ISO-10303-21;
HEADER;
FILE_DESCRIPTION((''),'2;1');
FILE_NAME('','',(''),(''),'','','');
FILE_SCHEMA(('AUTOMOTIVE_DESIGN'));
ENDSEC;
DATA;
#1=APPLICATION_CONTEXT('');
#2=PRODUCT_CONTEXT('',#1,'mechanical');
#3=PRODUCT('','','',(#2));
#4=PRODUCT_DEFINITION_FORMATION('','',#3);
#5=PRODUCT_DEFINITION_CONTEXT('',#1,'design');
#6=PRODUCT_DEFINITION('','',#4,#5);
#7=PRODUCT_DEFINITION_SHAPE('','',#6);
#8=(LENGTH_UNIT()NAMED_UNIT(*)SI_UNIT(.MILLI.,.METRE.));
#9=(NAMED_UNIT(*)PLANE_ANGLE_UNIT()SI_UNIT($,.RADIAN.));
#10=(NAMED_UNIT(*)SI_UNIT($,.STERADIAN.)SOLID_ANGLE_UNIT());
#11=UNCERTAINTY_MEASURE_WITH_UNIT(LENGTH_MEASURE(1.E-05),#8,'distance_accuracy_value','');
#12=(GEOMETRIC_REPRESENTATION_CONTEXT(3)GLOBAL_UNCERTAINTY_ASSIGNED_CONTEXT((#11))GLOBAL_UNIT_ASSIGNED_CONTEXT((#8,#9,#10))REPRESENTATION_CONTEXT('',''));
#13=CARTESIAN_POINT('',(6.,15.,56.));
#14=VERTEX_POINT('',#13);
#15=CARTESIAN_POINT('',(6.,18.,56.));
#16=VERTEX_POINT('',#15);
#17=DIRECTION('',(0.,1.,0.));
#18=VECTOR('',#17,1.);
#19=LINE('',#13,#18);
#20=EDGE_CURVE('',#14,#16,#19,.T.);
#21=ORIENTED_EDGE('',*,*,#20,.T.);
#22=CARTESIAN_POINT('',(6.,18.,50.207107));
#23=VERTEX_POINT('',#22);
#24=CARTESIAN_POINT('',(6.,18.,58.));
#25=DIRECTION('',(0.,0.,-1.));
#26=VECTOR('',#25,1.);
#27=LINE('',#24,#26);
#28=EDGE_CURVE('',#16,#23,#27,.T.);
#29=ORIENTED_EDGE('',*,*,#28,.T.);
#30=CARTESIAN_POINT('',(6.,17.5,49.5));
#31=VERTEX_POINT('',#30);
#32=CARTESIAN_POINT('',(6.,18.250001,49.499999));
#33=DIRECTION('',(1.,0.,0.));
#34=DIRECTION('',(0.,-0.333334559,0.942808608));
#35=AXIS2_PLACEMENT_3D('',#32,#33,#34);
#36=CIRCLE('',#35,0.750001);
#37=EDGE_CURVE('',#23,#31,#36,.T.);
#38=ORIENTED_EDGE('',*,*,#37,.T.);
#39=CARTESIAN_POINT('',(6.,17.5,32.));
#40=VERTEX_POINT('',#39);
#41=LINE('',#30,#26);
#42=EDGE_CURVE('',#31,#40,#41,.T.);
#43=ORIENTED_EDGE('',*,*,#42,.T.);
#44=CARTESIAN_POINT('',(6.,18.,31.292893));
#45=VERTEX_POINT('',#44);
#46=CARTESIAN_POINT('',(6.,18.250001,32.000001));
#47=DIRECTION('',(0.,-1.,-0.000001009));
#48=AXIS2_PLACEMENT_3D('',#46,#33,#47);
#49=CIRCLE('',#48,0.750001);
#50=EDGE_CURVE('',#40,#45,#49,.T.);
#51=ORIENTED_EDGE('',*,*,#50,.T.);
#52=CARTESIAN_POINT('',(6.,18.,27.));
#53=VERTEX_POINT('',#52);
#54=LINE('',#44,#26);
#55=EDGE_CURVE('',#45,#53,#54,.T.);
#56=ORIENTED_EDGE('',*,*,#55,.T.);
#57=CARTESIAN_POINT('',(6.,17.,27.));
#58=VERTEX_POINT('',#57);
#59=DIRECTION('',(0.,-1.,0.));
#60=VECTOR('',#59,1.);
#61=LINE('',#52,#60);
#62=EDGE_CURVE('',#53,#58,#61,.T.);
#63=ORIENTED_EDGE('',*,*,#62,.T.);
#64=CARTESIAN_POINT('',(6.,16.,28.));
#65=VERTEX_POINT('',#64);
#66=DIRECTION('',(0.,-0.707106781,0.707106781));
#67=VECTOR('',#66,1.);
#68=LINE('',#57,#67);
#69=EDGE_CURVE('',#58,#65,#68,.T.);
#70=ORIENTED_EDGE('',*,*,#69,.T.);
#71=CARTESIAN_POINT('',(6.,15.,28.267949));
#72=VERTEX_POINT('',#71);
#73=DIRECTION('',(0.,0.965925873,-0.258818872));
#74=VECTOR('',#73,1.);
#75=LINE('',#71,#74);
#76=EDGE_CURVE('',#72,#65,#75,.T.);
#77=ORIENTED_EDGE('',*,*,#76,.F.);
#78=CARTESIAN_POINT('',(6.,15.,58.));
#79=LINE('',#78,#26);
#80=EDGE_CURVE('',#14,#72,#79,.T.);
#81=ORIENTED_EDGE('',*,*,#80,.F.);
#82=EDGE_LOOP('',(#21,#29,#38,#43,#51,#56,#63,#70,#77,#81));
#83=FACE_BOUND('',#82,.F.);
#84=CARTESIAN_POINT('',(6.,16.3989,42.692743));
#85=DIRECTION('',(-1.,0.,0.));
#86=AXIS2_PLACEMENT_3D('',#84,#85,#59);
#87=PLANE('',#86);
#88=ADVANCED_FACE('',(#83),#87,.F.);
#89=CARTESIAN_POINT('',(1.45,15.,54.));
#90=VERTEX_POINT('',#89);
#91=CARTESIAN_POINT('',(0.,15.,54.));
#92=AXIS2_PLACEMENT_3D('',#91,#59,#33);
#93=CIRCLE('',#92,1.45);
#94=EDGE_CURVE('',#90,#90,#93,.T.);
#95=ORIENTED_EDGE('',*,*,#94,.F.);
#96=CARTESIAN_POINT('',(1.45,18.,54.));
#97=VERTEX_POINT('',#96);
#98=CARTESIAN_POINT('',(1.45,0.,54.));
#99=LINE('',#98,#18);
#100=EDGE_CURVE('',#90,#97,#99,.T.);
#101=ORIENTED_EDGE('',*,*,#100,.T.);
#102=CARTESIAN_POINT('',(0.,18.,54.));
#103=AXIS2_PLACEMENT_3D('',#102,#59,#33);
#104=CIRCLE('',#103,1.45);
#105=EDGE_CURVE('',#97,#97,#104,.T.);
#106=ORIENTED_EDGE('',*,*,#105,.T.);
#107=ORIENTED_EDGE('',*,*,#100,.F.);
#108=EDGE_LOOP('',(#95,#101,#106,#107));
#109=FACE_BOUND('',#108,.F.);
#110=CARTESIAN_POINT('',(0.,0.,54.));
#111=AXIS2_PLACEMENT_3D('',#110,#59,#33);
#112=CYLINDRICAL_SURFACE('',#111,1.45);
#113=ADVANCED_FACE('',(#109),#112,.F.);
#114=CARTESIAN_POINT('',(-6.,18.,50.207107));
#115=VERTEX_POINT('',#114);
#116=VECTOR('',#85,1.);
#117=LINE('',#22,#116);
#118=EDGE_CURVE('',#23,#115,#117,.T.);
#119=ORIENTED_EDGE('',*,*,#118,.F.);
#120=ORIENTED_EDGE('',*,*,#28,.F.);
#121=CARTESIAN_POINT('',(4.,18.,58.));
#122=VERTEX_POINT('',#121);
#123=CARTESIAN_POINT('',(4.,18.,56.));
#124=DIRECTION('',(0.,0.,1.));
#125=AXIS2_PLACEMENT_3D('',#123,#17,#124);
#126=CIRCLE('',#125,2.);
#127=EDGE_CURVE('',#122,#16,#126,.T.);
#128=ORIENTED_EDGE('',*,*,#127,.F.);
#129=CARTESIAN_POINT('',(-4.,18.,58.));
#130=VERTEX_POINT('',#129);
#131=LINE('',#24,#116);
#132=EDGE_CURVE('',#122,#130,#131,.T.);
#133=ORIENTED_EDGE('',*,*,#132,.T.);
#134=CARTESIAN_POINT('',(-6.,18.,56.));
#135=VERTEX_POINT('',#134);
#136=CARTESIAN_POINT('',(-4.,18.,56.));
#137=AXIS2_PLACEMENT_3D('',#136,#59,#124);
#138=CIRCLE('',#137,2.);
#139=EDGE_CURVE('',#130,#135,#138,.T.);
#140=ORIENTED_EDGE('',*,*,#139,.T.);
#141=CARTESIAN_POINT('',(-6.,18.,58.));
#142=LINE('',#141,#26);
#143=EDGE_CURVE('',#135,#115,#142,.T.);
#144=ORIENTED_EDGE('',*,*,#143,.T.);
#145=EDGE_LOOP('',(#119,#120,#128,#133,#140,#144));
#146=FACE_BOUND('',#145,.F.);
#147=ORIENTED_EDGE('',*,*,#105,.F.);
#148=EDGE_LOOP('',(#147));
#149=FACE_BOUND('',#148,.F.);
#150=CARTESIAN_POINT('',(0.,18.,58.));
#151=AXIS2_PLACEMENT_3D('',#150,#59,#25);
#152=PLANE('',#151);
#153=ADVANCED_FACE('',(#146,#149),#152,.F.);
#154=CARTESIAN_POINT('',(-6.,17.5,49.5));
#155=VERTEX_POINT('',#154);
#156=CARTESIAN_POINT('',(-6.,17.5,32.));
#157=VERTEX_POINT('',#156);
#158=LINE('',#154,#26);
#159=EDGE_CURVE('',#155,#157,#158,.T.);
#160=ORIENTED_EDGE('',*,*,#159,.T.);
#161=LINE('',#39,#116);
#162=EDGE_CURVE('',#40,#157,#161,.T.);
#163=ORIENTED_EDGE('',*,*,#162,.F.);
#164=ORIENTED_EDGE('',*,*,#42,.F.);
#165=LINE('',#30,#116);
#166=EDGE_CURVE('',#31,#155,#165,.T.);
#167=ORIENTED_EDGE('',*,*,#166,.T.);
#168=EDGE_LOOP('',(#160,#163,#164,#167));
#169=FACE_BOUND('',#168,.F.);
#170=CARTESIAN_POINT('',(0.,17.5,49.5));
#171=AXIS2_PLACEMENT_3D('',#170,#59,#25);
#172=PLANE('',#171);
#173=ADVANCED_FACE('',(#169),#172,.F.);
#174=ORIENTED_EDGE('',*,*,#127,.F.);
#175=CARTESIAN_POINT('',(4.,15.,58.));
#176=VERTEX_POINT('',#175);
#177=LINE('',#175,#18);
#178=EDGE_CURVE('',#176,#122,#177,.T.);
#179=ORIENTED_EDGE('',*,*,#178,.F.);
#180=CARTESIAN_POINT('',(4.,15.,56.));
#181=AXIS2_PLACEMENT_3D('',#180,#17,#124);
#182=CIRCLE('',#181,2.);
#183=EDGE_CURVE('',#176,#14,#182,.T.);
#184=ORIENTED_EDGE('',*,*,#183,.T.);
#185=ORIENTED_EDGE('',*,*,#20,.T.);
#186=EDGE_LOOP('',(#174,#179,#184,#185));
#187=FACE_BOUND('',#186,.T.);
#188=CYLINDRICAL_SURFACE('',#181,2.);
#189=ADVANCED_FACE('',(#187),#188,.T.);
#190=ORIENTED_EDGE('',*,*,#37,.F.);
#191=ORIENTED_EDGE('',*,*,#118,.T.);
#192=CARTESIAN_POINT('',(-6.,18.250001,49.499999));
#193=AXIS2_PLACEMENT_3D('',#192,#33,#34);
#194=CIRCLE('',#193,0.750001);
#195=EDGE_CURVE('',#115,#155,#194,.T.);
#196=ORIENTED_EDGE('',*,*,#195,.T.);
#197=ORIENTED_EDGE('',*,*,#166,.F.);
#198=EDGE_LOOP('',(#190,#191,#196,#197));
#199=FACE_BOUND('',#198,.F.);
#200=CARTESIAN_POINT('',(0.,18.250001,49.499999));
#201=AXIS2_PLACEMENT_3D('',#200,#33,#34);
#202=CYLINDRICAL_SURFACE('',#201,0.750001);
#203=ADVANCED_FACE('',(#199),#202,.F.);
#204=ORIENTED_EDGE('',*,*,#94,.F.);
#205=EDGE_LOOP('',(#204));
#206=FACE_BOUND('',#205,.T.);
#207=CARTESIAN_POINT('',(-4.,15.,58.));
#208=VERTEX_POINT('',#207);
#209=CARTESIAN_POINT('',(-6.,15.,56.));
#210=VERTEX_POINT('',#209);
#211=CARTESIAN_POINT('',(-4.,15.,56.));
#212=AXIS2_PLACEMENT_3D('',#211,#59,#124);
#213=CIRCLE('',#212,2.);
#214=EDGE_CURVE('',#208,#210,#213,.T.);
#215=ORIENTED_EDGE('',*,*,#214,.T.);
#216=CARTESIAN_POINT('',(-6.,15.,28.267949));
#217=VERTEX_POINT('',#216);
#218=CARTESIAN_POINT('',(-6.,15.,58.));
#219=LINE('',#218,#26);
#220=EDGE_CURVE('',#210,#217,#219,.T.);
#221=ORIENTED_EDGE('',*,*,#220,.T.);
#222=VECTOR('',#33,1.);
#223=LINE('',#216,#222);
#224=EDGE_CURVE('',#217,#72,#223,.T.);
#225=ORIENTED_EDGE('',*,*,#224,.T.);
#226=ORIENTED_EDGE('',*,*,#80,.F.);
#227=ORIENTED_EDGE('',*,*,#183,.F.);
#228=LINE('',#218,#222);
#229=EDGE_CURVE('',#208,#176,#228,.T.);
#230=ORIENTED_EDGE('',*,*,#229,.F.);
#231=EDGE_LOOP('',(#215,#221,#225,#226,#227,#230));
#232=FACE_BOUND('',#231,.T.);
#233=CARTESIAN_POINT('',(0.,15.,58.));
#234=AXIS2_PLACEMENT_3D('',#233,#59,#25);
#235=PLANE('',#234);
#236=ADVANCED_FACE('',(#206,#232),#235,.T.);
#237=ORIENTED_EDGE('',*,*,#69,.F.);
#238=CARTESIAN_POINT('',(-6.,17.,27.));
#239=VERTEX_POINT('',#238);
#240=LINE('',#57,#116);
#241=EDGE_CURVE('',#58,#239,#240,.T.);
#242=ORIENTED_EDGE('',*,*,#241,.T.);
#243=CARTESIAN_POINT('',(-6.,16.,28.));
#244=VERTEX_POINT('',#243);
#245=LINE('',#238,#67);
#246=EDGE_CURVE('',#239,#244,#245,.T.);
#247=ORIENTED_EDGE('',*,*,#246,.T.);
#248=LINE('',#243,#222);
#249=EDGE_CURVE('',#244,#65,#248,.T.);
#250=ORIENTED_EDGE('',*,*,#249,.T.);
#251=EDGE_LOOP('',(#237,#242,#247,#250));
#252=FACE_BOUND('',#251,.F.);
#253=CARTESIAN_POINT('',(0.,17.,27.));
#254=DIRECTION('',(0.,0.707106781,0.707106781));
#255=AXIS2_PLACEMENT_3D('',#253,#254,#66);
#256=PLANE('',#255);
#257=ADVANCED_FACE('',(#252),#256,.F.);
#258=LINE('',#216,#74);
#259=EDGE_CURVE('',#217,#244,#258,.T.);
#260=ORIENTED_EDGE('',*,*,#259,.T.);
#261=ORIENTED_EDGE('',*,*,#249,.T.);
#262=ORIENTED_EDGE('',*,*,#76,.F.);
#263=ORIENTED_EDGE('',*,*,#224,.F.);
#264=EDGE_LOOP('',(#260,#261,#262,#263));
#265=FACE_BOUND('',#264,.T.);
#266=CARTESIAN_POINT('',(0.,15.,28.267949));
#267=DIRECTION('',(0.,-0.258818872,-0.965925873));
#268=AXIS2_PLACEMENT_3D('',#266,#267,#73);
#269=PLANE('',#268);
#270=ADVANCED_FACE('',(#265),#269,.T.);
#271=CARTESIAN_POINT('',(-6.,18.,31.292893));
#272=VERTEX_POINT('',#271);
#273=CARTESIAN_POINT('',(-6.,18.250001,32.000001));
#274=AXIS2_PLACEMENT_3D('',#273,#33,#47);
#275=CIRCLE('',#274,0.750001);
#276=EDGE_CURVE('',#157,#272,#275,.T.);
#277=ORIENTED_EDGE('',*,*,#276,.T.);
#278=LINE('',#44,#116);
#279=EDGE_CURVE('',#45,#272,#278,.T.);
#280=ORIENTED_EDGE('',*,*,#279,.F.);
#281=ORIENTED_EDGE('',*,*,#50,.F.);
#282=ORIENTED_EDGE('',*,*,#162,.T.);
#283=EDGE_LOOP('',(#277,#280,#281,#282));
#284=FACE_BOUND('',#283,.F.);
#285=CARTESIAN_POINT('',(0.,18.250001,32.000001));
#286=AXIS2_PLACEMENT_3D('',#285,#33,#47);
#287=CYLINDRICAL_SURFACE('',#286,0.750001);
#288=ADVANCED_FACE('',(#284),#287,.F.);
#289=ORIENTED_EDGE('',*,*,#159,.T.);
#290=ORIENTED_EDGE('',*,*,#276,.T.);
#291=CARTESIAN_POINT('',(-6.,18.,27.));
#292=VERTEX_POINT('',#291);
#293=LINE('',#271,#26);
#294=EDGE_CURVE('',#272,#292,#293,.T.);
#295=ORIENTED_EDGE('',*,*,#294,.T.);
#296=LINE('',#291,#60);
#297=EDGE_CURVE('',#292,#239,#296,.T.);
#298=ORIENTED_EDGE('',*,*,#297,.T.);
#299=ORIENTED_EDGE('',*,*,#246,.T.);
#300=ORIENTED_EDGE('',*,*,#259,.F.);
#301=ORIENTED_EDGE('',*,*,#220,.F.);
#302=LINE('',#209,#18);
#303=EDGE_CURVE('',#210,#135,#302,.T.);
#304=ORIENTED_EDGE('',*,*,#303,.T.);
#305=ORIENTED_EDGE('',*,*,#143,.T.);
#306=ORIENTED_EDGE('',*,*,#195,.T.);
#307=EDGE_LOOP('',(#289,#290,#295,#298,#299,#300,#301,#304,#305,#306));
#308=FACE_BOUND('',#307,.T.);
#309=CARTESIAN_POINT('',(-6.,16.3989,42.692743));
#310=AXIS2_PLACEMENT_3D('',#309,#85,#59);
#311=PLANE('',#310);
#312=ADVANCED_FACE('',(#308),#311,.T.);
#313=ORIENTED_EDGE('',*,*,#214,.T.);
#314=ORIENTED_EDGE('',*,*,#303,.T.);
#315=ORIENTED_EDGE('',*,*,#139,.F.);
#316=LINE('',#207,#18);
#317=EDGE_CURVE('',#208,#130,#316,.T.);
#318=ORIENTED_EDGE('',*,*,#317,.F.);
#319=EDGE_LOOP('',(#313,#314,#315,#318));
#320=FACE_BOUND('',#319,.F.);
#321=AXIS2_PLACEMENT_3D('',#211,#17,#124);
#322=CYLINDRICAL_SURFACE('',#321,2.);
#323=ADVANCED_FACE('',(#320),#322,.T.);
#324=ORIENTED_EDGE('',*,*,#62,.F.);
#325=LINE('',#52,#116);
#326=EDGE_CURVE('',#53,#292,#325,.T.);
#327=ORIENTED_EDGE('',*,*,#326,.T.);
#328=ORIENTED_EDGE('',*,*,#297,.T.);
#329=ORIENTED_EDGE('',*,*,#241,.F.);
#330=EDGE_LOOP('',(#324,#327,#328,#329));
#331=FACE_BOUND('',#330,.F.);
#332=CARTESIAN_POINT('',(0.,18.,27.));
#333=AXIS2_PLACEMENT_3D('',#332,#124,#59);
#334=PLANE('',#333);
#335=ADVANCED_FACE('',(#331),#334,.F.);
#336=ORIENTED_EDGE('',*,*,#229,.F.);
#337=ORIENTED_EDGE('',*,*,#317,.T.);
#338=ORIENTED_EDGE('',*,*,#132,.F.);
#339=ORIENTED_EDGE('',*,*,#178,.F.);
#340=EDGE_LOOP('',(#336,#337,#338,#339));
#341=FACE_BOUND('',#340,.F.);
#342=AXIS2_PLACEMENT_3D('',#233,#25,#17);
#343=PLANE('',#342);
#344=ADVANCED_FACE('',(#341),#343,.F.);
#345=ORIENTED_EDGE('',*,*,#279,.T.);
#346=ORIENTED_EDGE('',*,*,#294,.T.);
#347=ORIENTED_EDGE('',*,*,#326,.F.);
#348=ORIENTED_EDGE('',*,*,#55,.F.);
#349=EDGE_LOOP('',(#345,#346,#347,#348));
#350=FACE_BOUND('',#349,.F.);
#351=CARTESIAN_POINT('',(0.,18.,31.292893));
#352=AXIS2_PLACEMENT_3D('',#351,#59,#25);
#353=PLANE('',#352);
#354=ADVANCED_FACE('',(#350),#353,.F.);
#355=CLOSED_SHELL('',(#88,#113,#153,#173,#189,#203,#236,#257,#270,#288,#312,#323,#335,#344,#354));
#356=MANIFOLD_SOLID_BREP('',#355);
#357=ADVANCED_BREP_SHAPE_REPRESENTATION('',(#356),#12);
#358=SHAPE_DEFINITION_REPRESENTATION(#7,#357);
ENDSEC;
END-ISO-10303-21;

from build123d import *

# Parameters (mm, degrees)
PAD109_DEPTH         = 6
FILLET017_R          = 2
SKETCH514_R          = 1.45
POCKET337_DEPTH      = 18.001
POCKET337_DEPTH_BACK = 0.001


with BuildPart() as part:
    # Sketch513 → Pad109 (new body, symmetric)
    with BuildSketch(Plane.YZ):
        with BuildLine():
            Line((15, 58), (18, 58))
            Line((18, 58), (18, 50.207107))
            ThreePointArc((18, 50.207107), (17.637628, 49.933013), (17.5, 49.5))
            Line((17.5, 49.5), (17.5, 32))
            ThreePointArc((17.5, 32), (17.637628, 31.566987), (18, 31.292893))
            Line((18, 31.292893), (18, 28))
            Line((18, 28), (18, 27))
            Line((18, 27), (17, 27))
            Line((17, 27), (16, 28))
            Line((15, 28.267949), (16, 28))
            Line((15, 58), (15, 28.267949))
        make_face()
    extrude(amount=PAD109_DEPTH, both=True)

    # Fillet017
    fillet017_edges = [part.edges().sort_by_distance(p)[0] for p in [
        (6, 16.5, 58),
        (-6, 16.5, 58),
    ]]
    fillet(fillet017_edges, radius=FILLET017_R)

    # Sketch514 → Pocket337 (cut, two sides)
    with BuildSketch(Plane.XZ) as pocket337_sk:
        with Locations((0, 54)):
            Circle(SKETCH514_R)
    extrude(amount=-POCKET337_DEPTH, mode=Mode.SUBTRACT)
    extrude(pocket337_sk.sketch, amount=POCKET337_DEPTH_BACK, mode=Mode.SUBTRACT)


solid = part.part
